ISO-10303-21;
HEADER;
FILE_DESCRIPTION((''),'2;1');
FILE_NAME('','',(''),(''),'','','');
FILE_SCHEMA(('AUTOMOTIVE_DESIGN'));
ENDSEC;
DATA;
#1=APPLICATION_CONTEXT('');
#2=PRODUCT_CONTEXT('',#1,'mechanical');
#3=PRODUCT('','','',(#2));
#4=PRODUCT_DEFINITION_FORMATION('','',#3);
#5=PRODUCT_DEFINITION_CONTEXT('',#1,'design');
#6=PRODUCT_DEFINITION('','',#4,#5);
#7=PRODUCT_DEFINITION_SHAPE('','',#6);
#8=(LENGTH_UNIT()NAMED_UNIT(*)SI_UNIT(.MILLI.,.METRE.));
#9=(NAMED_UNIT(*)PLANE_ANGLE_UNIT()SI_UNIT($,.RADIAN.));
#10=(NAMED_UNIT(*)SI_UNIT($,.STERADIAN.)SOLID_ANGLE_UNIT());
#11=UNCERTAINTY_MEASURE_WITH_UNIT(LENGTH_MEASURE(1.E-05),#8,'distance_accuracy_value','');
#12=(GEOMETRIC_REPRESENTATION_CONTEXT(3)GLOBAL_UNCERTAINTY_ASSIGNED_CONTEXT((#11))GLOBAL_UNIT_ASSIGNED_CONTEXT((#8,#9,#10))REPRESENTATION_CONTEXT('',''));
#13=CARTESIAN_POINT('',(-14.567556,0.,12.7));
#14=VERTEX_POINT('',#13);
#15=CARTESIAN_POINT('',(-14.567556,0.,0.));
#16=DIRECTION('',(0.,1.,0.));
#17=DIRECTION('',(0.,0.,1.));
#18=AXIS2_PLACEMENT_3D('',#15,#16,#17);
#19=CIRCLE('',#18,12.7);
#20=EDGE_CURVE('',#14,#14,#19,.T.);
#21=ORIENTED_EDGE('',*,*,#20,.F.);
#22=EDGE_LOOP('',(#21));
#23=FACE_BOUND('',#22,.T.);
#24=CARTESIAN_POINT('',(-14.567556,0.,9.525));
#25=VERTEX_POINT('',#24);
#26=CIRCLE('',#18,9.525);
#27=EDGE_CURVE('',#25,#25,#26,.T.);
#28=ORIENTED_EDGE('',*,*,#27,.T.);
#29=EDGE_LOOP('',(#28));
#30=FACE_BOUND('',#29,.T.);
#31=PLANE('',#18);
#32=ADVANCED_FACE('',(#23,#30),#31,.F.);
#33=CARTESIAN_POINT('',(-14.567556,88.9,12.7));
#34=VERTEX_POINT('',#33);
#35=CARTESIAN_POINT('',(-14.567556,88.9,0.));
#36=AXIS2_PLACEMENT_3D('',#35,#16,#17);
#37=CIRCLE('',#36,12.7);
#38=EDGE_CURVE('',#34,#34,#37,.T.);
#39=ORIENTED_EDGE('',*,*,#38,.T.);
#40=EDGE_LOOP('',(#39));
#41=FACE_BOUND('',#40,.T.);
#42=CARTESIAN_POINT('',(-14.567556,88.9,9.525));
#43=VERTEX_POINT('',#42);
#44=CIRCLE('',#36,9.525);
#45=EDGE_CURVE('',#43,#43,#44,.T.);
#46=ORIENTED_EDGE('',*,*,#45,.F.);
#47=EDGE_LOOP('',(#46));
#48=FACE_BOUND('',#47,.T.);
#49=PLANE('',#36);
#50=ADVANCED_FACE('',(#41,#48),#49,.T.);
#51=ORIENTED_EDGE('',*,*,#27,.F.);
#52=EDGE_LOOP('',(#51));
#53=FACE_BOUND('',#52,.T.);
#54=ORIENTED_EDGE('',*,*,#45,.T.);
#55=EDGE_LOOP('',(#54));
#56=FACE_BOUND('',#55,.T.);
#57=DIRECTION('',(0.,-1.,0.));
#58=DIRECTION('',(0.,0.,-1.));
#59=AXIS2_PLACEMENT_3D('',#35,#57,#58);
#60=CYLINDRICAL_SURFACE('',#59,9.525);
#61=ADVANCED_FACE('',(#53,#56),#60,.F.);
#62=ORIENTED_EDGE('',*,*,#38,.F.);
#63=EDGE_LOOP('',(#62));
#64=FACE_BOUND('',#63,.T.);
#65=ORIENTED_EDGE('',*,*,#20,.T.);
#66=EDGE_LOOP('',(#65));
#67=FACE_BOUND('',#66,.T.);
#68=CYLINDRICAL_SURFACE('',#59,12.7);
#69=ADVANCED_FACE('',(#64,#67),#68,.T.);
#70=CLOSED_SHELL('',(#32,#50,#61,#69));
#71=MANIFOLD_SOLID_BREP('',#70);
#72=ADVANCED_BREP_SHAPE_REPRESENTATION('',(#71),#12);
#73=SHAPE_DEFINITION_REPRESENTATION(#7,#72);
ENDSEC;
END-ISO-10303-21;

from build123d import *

# Parameters (mm, degrees)
SKETCH2_R           = 12.7
SKETCH2_R_2         = 9.525
BOSS_EXTRUDE1_DEPTH = 88.9


with BuildPart() as part:
    # Sketch2 → Boss-Extrude1 (new body)
    with BuildSketch(Plane(origin=(0, 0, 0), x_dir=(1, 0, 0), z_dir=(0, 1, 0))):
        with Locations((-14.567556118, 0)):
            Circle(SKETCH2_R)
        with Locations((-14.567556118, 0)):
            Circle(SKETCH2_R_2, mode=Mode.SUBTRACT)
    extrude(amount=BOSS_EXTRUDE1_DEPTH)


solid = part.part
